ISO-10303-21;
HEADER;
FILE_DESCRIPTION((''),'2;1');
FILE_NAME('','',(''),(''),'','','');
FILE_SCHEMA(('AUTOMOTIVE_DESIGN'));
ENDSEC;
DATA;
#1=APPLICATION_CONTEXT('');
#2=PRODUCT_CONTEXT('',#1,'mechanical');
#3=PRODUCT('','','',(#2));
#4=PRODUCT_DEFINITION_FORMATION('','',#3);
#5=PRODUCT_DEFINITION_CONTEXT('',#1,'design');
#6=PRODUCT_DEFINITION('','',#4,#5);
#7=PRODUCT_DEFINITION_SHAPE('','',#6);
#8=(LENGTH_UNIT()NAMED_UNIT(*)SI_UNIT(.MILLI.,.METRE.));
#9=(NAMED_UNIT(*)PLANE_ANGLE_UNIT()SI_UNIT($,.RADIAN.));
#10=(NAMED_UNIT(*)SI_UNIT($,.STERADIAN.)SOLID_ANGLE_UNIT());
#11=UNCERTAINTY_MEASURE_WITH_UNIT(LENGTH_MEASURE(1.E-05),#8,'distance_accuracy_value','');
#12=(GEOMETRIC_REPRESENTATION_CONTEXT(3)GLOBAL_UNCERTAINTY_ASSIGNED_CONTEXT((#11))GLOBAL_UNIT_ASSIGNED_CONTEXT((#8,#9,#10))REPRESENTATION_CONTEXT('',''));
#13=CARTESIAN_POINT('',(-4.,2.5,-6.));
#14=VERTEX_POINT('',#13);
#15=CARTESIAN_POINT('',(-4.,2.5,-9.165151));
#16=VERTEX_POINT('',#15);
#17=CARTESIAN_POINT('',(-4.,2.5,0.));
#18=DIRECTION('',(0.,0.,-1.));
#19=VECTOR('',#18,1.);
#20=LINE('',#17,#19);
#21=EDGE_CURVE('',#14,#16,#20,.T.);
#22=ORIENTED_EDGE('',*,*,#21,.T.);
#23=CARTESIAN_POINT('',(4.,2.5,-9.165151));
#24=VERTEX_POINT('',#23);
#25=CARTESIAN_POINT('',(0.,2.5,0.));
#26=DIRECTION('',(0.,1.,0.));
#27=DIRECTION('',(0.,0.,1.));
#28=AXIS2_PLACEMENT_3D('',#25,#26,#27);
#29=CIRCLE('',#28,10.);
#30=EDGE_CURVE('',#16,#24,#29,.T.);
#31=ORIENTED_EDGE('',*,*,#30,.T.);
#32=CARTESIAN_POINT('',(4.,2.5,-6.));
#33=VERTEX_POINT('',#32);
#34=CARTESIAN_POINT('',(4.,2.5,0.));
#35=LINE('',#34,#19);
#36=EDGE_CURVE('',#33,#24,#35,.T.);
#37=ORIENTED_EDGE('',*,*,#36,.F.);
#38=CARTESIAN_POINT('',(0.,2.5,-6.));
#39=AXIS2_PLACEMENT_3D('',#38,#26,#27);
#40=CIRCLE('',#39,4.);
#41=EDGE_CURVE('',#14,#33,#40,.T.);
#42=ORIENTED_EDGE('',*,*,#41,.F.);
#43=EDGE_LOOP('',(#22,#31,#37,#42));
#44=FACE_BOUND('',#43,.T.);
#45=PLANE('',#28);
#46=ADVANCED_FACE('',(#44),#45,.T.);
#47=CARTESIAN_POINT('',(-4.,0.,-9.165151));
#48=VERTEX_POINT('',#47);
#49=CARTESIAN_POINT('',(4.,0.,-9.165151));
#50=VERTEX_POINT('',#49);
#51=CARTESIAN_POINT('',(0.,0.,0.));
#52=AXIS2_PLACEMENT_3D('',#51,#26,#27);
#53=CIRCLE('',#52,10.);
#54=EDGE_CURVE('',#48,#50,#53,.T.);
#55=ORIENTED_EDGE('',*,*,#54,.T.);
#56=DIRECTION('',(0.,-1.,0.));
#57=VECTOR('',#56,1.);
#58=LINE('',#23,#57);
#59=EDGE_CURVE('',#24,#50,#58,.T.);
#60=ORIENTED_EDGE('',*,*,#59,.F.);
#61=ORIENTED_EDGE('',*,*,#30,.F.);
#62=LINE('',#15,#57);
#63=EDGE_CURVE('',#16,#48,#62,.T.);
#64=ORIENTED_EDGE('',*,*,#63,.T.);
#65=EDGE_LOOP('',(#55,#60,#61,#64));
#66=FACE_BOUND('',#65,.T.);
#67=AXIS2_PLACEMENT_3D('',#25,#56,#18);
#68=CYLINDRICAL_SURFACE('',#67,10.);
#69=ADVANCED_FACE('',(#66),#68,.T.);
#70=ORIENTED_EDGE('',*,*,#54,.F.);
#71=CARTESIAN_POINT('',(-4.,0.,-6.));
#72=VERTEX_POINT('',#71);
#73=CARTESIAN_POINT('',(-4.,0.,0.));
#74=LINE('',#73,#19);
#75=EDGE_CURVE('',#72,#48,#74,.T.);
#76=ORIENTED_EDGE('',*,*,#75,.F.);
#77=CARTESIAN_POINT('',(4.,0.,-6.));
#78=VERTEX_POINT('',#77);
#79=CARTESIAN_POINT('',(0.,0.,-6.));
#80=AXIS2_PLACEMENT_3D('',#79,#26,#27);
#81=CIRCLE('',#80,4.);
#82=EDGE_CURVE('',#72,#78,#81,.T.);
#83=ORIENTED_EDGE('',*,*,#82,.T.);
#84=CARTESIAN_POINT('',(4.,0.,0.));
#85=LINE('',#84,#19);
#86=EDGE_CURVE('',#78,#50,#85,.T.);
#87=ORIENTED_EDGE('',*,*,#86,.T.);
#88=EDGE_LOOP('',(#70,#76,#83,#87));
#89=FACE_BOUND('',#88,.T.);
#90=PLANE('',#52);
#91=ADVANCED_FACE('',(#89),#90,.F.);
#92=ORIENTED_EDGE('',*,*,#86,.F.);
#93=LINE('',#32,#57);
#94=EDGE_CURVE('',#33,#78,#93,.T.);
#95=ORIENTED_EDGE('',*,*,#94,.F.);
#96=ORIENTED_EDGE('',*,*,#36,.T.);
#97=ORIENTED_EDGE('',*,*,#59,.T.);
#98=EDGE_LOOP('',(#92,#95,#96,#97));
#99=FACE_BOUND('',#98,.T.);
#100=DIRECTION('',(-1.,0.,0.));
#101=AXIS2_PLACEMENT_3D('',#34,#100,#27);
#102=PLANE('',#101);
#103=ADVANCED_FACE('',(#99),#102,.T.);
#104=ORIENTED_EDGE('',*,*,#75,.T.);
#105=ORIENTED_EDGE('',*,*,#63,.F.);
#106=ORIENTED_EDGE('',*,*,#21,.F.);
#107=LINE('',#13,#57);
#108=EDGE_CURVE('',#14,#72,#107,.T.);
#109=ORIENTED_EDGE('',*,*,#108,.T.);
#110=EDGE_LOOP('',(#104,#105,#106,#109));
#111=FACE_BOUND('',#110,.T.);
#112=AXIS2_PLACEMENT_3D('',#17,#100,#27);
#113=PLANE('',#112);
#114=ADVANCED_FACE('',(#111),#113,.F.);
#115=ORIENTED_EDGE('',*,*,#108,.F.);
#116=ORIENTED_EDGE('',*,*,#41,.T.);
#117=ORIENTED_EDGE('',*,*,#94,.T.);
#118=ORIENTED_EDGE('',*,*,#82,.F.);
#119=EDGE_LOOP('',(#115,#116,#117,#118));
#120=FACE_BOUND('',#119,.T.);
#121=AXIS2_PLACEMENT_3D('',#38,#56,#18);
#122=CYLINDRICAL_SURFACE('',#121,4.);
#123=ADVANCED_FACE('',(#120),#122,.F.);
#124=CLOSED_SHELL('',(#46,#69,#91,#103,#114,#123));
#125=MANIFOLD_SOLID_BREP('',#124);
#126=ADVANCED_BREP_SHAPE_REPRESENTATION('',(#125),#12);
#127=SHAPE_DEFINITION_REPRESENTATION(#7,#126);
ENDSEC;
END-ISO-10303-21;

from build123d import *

# Parameters (mm, degrees)
BOSS_EXTRUDE1_DEPTH = 2.5


with BuildPart() as part:
    # Sketch1 → Boss-Extrude1 (new body)
    with BuildSketch(Plane(origin=(0, 0, 0), x_dir=(1, 0, 0), z_dir=(0, 1, 0))):
        with BuildLine():
            ThreePointArc((4, 6), (0, 2), (-4, 6))
            Line((-4, 6), (-4, 9.16515139))
            ThreePointArc((-4, 9.16515139), (-5.477225575, -8.366600265), (10, 0))
            ThreePointArc((10, 0), (8.366600265, 5.477225575), (4, 9.16515139))
            Line((4, 9.16515139), (4, 6))
        make_face()
    extrude(amount=BOSS_EXTRUDE1_DEPTH)


solid = part.part
